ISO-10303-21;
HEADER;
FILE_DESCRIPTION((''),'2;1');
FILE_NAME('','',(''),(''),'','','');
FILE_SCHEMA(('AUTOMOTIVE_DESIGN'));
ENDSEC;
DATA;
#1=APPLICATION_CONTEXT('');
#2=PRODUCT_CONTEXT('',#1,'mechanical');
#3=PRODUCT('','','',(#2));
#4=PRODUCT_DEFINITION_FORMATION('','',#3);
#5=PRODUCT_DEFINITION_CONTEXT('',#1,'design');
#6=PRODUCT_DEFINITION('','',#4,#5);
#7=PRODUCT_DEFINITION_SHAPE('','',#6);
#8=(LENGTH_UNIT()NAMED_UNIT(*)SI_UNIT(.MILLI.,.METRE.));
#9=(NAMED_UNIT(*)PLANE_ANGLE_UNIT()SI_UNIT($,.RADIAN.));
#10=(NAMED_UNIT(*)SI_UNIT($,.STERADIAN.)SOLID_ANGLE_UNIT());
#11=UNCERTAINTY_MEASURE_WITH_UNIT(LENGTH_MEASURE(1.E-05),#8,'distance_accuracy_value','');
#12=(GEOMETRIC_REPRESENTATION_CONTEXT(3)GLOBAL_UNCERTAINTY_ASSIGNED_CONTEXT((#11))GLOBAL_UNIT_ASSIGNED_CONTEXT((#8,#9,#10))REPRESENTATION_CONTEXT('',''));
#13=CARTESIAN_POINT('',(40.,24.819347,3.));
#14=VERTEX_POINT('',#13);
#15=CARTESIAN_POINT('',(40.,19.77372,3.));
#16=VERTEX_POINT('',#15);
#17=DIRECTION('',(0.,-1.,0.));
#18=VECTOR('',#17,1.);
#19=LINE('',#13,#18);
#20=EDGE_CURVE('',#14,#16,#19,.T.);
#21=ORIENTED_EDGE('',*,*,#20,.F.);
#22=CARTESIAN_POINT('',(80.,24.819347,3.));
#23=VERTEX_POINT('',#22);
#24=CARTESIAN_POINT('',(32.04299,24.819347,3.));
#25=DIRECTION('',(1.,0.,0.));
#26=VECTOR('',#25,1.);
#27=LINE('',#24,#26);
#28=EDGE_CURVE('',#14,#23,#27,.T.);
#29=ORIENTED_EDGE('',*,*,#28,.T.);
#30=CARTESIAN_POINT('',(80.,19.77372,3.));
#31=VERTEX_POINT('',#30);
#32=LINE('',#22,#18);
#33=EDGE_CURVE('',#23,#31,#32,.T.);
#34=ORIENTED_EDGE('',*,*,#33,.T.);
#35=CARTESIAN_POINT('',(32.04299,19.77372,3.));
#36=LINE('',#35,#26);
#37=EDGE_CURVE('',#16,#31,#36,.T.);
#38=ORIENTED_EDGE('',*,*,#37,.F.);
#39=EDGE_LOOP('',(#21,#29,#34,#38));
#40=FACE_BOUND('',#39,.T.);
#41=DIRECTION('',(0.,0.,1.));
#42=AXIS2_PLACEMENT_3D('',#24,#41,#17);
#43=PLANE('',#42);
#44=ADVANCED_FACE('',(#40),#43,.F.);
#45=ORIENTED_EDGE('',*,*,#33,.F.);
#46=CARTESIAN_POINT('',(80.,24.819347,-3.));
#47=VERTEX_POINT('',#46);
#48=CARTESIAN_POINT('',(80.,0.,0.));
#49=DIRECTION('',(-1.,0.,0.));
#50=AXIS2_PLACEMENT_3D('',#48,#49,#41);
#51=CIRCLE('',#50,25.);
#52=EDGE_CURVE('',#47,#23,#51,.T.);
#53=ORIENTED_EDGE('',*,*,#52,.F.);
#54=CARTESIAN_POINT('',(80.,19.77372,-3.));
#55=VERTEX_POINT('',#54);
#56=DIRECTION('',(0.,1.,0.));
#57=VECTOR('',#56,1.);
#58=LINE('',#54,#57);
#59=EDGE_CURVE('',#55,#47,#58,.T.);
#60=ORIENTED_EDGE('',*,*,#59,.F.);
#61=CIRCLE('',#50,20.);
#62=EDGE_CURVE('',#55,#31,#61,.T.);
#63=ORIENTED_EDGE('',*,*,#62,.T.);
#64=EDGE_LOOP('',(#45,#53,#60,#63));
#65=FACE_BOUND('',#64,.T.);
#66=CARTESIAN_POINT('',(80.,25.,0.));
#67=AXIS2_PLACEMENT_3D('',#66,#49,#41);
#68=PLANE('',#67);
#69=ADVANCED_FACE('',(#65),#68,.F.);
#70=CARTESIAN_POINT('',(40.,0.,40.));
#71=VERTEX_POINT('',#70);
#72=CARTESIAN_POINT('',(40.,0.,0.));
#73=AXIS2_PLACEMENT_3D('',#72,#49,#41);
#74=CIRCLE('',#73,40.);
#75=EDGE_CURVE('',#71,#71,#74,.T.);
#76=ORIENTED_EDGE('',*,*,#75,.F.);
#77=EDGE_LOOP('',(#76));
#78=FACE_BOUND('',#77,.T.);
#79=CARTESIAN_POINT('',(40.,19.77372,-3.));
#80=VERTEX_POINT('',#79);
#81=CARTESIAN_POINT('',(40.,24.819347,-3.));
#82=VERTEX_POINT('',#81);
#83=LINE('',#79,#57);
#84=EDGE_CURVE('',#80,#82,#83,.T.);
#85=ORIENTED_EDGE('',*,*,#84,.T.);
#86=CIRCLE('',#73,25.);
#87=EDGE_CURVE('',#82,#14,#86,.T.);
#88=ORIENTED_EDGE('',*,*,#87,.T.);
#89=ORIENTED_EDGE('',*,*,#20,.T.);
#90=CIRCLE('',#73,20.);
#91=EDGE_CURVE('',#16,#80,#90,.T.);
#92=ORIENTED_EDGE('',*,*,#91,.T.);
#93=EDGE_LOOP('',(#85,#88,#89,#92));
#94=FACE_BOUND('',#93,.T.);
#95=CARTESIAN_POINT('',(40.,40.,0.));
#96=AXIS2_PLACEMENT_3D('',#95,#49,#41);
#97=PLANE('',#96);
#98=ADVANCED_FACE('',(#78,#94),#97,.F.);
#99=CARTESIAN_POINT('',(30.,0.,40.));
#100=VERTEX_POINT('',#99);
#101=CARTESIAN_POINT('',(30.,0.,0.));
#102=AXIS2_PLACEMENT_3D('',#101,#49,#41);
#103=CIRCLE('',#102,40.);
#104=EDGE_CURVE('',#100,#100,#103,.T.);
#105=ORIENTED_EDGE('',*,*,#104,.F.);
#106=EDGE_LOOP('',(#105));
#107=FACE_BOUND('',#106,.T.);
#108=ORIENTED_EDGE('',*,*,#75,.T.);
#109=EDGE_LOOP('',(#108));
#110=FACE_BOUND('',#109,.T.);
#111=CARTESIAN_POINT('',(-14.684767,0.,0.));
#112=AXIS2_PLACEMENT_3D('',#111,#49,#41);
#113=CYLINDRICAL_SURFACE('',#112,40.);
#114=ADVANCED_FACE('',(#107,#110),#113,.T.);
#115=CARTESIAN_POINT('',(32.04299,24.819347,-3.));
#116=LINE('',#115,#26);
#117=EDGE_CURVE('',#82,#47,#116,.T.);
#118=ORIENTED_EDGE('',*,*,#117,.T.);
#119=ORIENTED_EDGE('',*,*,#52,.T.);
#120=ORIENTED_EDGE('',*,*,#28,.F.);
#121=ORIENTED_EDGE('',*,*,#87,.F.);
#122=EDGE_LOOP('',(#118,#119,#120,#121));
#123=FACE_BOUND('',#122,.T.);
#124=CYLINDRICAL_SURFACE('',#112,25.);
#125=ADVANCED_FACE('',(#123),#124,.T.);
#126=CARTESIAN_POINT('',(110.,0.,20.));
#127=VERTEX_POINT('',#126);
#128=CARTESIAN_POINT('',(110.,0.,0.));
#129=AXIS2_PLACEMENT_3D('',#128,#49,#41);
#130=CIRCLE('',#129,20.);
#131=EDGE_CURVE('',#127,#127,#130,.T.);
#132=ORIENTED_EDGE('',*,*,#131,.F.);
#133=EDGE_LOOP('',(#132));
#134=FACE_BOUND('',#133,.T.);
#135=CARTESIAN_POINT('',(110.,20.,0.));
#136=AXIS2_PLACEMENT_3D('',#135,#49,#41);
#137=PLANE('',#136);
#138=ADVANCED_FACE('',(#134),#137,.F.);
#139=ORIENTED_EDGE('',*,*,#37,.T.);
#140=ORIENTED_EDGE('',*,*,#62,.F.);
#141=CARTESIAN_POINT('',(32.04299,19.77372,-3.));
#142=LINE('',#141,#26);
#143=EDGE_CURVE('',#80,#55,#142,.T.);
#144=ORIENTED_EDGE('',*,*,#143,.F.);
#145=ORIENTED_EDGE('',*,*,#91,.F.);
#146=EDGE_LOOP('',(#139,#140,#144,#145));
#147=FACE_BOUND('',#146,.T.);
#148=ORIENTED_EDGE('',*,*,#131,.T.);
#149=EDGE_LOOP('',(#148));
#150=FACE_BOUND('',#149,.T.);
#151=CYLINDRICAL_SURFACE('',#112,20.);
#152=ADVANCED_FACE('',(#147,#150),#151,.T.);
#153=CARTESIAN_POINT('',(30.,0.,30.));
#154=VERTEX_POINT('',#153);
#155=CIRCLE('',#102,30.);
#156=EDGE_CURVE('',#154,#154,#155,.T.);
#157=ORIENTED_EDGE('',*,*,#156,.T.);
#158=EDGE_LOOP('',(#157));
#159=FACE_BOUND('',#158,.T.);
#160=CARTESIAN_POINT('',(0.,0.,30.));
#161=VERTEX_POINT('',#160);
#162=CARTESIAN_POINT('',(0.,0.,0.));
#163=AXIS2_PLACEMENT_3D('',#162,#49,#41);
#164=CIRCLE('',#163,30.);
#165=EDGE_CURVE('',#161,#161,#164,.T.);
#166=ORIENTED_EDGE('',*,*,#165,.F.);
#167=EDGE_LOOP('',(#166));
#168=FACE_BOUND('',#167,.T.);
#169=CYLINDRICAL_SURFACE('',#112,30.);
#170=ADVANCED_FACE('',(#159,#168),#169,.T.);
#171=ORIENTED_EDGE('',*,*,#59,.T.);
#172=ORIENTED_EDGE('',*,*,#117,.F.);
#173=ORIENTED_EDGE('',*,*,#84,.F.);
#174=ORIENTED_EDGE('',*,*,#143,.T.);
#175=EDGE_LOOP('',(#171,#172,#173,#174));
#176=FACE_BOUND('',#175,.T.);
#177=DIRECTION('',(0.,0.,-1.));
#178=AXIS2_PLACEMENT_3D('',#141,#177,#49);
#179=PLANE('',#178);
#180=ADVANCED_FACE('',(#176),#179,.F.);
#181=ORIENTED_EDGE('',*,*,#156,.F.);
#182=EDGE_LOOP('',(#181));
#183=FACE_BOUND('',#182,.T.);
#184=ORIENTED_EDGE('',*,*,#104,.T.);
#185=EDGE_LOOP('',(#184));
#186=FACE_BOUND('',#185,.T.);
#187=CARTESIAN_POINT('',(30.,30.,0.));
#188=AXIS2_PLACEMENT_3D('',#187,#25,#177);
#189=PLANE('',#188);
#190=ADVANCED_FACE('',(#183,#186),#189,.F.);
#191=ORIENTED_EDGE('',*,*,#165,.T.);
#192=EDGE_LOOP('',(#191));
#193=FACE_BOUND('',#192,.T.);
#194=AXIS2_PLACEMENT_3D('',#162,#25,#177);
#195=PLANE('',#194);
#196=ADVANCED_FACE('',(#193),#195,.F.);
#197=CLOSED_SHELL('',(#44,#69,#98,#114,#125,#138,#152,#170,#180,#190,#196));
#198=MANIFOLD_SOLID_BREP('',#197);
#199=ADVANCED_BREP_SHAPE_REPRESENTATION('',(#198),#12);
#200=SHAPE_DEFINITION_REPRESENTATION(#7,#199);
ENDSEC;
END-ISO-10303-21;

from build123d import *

# Parameters (mm, degrees)
CUT_EXTRUDE1_DEPTH = 40


with BuildPart() as part:
    # Sketch1 → Revolve2 (revolve)
    with BuildSketch(Plane.XY, mode=Mode.PRIVATE) as revolve2_sk:
        Polygon((30, 30), (30, 40), (40, 40), (40, 25), (80, 25), (80, 20), (110, 20), (110, 0), (51.715920118, 0), (0, 0), (0, 30), align=None)
    revolve(revolve2_sk.sketch.rotate(Axis((-14.684767441, 0, 0), (1, 0, 0)), 90), axis=Axis((-14.684767441, 0, 0), (1, 0, 0)))

    # Sketch2 → Cut-Extrude1 (cut)
    with BuildSketch(Plane(origin=(80, 0, 0), x_dir=(0, 0, -1), z_dir=(1, 0, 0))):
        with BuildLine():
            Line((-3, 24.819347292), (-3, 19.773719933))
            ThreePointArc((-3, 19.773719933), (0, 20), (3, 19.773719933))
            Line((3, 19.773719933), (3, 24.819347292))
            ThreePointArc((3, 24.819347292), (0, 25), (-3, 24.819347292))
        make_face()
    extrude(amount=-CUT_EXTRUDE1_DEPTH, mode=Mode.SUBTRACT)


solid = part.part
